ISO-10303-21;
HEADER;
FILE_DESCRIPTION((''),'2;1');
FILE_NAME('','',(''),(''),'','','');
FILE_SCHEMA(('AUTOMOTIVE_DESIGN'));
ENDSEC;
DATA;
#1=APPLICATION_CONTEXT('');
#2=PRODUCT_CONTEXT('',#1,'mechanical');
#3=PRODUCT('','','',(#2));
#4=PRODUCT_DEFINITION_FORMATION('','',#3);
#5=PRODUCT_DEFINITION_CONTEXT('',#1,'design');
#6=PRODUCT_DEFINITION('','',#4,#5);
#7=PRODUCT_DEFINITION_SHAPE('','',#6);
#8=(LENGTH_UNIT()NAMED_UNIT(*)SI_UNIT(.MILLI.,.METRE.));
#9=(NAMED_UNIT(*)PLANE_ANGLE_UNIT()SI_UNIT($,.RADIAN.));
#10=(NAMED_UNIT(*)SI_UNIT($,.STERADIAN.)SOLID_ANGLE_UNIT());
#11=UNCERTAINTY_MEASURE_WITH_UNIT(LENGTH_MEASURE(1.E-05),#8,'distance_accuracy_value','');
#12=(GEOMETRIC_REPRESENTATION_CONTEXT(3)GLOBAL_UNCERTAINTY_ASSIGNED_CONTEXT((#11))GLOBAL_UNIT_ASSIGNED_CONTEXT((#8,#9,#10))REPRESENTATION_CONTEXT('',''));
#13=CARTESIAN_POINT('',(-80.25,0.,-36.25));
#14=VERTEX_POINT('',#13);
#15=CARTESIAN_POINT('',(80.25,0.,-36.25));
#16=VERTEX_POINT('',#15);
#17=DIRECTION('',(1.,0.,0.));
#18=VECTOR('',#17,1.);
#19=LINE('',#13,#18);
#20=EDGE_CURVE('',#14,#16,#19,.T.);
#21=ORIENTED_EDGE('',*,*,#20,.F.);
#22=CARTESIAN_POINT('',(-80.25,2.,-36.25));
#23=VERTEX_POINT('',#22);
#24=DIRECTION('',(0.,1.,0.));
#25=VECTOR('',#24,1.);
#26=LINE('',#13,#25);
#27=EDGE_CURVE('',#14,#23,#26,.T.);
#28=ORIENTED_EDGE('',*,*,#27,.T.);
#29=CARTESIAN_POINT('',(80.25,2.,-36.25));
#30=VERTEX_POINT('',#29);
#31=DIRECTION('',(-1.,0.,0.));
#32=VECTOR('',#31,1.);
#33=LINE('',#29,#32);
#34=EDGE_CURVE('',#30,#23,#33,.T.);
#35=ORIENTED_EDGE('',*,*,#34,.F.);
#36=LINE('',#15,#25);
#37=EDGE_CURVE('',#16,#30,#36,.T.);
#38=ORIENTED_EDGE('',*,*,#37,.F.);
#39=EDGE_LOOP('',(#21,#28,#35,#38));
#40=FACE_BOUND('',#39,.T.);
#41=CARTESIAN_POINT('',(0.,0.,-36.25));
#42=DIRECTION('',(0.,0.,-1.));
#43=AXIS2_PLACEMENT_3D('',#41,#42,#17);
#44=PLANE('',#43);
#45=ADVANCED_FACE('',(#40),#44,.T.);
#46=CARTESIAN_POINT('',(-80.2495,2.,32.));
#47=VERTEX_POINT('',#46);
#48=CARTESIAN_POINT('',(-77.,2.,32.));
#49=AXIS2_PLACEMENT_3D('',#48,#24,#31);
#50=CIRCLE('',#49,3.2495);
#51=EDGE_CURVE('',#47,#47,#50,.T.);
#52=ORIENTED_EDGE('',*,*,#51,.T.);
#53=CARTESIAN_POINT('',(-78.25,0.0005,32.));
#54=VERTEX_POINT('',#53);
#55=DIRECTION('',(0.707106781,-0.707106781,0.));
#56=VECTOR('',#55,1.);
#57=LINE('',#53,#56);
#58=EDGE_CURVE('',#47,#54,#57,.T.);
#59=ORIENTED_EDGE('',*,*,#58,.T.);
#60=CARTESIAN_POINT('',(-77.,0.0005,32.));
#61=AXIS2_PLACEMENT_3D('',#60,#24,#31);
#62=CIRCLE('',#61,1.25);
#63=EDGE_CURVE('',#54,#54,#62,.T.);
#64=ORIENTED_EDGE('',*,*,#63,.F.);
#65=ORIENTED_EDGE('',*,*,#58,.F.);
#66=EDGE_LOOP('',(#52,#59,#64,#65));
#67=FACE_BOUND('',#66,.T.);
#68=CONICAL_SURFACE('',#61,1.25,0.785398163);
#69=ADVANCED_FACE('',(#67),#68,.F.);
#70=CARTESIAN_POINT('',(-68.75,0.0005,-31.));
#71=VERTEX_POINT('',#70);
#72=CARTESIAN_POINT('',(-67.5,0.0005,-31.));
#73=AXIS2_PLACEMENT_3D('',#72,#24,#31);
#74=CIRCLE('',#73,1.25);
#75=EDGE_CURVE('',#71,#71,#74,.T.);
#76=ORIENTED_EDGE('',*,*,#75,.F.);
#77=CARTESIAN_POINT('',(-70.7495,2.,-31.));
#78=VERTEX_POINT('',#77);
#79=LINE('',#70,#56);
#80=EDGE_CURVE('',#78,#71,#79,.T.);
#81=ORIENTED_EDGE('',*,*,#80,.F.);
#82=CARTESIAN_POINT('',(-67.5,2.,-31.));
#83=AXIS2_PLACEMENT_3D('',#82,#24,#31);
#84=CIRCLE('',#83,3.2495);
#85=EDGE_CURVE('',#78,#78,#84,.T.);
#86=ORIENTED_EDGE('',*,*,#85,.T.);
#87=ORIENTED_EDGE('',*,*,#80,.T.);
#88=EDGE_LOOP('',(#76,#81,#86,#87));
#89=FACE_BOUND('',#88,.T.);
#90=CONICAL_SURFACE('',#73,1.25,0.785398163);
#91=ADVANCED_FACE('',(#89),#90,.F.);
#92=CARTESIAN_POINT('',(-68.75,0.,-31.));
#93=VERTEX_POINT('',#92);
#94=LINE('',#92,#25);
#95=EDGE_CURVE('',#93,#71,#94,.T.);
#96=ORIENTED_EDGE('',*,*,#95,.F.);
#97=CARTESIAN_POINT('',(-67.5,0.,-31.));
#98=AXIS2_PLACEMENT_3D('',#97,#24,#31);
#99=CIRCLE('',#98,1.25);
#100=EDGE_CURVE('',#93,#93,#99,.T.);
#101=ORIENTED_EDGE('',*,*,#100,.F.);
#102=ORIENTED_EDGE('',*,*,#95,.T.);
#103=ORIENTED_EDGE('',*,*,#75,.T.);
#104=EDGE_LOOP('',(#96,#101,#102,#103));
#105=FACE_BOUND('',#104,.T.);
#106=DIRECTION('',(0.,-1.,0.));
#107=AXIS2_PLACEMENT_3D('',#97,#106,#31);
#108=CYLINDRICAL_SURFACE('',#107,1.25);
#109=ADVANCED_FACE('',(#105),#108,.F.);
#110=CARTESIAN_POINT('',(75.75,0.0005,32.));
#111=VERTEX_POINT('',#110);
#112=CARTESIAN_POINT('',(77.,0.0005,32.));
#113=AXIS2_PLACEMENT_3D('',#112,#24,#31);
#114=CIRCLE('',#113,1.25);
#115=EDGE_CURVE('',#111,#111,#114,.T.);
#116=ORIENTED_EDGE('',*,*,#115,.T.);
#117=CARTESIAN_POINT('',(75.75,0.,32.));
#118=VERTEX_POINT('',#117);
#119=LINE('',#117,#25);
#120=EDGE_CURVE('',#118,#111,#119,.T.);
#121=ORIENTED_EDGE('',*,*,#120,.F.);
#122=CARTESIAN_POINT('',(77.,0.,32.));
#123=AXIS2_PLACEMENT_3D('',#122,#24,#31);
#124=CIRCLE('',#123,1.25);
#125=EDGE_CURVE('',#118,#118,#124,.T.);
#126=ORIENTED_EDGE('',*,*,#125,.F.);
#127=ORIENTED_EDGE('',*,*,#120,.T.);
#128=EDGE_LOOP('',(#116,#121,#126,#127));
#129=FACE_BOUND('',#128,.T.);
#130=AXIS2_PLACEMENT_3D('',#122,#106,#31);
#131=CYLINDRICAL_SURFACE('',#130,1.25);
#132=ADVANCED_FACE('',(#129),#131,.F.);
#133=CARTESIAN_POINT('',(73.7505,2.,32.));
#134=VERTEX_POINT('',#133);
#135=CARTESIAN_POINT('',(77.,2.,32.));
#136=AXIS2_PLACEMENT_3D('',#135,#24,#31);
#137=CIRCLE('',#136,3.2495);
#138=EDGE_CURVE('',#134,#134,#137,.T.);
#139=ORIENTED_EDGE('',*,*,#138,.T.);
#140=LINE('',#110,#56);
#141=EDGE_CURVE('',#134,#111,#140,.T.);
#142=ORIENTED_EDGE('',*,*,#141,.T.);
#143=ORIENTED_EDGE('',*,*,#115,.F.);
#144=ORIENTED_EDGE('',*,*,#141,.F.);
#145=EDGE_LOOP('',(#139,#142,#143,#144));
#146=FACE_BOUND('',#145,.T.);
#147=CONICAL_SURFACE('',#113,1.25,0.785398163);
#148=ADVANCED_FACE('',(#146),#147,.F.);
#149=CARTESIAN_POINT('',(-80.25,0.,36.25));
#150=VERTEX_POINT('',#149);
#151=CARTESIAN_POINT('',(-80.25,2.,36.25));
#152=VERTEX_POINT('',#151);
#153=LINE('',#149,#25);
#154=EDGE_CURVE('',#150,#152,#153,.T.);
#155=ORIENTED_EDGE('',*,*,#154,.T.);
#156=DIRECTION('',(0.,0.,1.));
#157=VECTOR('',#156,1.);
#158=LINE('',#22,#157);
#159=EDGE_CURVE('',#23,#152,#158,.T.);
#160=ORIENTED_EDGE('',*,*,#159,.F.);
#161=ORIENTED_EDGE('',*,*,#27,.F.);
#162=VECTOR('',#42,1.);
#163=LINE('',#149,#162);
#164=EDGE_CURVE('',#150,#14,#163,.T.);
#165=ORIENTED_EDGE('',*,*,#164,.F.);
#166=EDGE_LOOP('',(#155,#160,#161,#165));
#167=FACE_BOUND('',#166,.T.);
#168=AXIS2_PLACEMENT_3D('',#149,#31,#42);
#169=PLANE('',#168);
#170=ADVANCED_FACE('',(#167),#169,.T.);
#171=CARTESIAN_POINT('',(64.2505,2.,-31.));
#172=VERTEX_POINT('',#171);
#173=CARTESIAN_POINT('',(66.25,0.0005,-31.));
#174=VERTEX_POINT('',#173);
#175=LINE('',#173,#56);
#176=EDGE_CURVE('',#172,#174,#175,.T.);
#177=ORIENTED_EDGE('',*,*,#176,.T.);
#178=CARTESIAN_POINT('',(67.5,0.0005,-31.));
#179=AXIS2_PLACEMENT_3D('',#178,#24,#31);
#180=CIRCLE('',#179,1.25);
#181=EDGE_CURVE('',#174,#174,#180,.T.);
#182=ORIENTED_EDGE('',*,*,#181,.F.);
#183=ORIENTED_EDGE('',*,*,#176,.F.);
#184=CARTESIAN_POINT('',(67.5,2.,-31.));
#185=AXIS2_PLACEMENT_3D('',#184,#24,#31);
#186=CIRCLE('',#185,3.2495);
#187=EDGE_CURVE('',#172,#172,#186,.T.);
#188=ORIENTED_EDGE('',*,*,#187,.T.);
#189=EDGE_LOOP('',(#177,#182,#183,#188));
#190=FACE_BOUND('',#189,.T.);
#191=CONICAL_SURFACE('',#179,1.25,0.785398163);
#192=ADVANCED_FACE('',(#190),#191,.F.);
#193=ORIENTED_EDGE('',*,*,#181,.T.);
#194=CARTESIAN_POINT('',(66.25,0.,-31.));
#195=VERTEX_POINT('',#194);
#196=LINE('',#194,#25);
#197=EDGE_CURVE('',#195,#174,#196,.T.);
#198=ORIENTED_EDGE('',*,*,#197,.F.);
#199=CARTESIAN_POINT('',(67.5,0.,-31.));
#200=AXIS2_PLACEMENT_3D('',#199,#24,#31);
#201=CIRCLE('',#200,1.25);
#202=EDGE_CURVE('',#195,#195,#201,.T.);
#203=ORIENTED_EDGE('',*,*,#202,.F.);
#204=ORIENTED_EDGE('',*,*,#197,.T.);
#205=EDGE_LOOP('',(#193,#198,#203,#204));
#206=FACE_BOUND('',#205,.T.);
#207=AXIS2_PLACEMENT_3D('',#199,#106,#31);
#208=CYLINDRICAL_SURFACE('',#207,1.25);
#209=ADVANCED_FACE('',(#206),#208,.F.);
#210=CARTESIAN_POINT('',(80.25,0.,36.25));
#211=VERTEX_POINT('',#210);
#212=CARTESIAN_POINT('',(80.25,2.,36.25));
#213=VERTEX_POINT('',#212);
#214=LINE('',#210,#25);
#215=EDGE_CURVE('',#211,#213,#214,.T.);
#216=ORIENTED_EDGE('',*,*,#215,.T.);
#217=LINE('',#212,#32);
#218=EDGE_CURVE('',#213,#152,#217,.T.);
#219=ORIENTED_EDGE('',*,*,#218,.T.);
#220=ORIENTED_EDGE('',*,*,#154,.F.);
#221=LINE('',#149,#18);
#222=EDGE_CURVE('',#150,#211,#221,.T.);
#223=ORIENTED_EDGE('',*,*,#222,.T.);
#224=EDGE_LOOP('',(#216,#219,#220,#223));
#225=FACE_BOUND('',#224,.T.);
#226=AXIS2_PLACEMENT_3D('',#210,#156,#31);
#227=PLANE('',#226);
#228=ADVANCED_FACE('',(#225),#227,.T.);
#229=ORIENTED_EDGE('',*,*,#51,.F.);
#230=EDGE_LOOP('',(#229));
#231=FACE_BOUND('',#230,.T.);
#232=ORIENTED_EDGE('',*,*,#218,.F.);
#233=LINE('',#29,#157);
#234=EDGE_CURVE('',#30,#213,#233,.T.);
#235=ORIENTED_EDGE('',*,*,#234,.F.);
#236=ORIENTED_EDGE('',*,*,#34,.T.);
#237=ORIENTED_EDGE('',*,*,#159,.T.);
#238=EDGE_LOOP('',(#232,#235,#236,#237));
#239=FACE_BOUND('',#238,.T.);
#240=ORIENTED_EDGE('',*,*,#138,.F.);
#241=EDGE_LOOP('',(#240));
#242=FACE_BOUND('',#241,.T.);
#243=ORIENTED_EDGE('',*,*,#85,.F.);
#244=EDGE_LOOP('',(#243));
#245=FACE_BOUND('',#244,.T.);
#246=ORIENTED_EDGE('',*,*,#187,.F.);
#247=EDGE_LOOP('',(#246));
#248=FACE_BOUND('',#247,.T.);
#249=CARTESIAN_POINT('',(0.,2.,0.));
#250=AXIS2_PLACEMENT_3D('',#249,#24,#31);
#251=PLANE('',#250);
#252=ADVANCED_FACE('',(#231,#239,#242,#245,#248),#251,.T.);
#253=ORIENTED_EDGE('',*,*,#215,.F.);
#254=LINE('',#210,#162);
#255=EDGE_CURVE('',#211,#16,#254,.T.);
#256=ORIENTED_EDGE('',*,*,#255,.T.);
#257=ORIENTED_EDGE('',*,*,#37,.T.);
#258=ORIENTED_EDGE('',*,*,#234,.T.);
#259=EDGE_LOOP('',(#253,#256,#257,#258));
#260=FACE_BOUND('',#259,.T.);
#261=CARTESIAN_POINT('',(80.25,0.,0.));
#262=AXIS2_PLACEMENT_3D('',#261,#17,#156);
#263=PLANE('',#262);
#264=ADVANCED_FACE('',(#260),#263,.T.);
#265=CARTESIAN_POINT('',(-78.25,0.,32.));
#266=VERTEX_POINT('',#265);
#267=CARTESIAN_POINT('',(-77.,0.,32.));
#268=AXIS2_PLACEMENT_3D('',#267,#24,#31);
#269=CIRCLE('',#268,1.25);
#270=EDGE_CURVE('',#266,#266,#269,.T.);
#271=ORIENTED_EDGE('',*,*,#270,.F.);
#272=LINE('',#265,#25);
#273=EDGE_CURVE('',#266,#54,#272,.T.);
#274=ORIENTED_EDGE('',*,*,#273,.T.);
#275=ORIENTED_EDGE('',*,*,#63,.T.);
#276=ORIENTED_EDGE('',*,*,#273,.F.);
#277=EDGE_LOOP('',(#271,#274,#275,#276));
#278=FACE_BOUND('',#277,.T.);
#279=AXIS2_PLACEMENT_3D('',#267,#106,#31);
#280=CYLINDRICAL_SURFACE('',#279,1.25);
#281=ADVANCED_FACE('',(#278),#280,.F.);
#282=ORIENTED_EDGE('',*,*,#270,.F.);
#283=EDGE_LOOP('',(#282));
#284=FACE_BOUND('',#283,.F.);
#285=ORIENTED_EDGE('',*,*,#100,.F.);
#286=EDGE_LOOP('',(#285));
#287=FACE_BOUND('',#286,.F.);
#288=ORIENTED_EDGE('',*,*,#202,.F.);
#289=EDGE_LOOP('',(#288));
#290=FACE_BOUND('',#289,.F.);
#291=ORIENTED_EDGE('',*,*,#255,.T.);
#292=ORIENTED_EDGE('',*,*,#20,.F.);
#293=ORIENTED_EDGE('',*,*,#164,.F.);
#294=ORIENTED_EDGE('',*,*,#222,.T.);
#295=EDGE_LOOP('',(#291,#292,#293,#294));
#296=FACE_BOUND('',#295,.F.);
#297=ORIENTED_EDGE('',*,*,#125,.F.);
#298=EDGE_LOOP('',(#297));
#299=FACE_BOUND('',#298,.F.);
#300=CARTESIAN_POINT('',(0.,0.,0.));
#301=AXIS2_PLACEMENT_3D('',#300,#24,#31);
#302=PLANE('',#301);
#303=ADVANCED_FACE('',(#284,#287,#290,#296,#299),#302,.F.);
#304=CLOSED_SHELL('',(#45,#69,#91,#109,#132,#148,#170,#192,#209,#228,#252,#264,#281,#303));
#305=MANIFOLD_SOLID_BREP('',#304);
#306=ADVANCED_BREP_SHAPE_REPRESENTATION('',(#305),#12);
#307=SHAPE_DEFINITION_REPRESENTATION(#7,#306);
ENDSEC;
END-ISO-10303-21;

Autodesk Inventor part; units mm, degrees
ref_plane "YZ Plane" through (0, 0, 0) normal (1, 0, 0) x (0, 1, 0)
ref_plane "XZ Plane" through (0, 0, 0) normal (0, 1, 0) x (-1, 0, 0)
ref_plane "XY Plane" through (0, 0, 0) normal (0, 0, 1) x (1, 0, 0)
sketch "Esquisse1" plane through (0, 0, 0) normal (0, 1, 0) x (-1, 0, 0)
  line L0 (-80.25, 36.25) -> (80.25, 36.25)
  line L1 (80.25, 36.25) -> (80.25, -36.25)
  line L2 (80.25, -36.25) -> (-80.25, -36.25)
  line L3 (-80.25, -36.25) -> (-80.25, 36.25)
  line L4 (0, -50.75) -> (0, 50.75) projected
  line L5 (112.35, 0) -> (-112.35, 0) projected
  circle A0 centre (77, 32) radius 1.25
  circle A1 centre (-77, 32) radius 1.25
  circle A2 centre (67.5, -31) radius 1.25
  circle A3 centre (-67.5, -31) radius 1.25
  point P0 (0, 0)
  dimension "d0" = 160.5
  dimension "d1" = 72.5
  dimension "d2" = 4.25
  dimension "d3" = 3.25
  dimension "d4" = 2.5
  dimension "d5" = 2.5
  dimension "d6" = 63
  dimension "d7" = 9.5
extrude "Extrusion1" add sketch "Esquisse1" along normal blind 2
chamfer "Chanfrein1" distance 2 angle 45 4 edges at (-66.25, 2, -31) (-75.75, 2, 32) (78.25, 2, 32) (68.75, 2, -31)
properties part number "couvercle"
